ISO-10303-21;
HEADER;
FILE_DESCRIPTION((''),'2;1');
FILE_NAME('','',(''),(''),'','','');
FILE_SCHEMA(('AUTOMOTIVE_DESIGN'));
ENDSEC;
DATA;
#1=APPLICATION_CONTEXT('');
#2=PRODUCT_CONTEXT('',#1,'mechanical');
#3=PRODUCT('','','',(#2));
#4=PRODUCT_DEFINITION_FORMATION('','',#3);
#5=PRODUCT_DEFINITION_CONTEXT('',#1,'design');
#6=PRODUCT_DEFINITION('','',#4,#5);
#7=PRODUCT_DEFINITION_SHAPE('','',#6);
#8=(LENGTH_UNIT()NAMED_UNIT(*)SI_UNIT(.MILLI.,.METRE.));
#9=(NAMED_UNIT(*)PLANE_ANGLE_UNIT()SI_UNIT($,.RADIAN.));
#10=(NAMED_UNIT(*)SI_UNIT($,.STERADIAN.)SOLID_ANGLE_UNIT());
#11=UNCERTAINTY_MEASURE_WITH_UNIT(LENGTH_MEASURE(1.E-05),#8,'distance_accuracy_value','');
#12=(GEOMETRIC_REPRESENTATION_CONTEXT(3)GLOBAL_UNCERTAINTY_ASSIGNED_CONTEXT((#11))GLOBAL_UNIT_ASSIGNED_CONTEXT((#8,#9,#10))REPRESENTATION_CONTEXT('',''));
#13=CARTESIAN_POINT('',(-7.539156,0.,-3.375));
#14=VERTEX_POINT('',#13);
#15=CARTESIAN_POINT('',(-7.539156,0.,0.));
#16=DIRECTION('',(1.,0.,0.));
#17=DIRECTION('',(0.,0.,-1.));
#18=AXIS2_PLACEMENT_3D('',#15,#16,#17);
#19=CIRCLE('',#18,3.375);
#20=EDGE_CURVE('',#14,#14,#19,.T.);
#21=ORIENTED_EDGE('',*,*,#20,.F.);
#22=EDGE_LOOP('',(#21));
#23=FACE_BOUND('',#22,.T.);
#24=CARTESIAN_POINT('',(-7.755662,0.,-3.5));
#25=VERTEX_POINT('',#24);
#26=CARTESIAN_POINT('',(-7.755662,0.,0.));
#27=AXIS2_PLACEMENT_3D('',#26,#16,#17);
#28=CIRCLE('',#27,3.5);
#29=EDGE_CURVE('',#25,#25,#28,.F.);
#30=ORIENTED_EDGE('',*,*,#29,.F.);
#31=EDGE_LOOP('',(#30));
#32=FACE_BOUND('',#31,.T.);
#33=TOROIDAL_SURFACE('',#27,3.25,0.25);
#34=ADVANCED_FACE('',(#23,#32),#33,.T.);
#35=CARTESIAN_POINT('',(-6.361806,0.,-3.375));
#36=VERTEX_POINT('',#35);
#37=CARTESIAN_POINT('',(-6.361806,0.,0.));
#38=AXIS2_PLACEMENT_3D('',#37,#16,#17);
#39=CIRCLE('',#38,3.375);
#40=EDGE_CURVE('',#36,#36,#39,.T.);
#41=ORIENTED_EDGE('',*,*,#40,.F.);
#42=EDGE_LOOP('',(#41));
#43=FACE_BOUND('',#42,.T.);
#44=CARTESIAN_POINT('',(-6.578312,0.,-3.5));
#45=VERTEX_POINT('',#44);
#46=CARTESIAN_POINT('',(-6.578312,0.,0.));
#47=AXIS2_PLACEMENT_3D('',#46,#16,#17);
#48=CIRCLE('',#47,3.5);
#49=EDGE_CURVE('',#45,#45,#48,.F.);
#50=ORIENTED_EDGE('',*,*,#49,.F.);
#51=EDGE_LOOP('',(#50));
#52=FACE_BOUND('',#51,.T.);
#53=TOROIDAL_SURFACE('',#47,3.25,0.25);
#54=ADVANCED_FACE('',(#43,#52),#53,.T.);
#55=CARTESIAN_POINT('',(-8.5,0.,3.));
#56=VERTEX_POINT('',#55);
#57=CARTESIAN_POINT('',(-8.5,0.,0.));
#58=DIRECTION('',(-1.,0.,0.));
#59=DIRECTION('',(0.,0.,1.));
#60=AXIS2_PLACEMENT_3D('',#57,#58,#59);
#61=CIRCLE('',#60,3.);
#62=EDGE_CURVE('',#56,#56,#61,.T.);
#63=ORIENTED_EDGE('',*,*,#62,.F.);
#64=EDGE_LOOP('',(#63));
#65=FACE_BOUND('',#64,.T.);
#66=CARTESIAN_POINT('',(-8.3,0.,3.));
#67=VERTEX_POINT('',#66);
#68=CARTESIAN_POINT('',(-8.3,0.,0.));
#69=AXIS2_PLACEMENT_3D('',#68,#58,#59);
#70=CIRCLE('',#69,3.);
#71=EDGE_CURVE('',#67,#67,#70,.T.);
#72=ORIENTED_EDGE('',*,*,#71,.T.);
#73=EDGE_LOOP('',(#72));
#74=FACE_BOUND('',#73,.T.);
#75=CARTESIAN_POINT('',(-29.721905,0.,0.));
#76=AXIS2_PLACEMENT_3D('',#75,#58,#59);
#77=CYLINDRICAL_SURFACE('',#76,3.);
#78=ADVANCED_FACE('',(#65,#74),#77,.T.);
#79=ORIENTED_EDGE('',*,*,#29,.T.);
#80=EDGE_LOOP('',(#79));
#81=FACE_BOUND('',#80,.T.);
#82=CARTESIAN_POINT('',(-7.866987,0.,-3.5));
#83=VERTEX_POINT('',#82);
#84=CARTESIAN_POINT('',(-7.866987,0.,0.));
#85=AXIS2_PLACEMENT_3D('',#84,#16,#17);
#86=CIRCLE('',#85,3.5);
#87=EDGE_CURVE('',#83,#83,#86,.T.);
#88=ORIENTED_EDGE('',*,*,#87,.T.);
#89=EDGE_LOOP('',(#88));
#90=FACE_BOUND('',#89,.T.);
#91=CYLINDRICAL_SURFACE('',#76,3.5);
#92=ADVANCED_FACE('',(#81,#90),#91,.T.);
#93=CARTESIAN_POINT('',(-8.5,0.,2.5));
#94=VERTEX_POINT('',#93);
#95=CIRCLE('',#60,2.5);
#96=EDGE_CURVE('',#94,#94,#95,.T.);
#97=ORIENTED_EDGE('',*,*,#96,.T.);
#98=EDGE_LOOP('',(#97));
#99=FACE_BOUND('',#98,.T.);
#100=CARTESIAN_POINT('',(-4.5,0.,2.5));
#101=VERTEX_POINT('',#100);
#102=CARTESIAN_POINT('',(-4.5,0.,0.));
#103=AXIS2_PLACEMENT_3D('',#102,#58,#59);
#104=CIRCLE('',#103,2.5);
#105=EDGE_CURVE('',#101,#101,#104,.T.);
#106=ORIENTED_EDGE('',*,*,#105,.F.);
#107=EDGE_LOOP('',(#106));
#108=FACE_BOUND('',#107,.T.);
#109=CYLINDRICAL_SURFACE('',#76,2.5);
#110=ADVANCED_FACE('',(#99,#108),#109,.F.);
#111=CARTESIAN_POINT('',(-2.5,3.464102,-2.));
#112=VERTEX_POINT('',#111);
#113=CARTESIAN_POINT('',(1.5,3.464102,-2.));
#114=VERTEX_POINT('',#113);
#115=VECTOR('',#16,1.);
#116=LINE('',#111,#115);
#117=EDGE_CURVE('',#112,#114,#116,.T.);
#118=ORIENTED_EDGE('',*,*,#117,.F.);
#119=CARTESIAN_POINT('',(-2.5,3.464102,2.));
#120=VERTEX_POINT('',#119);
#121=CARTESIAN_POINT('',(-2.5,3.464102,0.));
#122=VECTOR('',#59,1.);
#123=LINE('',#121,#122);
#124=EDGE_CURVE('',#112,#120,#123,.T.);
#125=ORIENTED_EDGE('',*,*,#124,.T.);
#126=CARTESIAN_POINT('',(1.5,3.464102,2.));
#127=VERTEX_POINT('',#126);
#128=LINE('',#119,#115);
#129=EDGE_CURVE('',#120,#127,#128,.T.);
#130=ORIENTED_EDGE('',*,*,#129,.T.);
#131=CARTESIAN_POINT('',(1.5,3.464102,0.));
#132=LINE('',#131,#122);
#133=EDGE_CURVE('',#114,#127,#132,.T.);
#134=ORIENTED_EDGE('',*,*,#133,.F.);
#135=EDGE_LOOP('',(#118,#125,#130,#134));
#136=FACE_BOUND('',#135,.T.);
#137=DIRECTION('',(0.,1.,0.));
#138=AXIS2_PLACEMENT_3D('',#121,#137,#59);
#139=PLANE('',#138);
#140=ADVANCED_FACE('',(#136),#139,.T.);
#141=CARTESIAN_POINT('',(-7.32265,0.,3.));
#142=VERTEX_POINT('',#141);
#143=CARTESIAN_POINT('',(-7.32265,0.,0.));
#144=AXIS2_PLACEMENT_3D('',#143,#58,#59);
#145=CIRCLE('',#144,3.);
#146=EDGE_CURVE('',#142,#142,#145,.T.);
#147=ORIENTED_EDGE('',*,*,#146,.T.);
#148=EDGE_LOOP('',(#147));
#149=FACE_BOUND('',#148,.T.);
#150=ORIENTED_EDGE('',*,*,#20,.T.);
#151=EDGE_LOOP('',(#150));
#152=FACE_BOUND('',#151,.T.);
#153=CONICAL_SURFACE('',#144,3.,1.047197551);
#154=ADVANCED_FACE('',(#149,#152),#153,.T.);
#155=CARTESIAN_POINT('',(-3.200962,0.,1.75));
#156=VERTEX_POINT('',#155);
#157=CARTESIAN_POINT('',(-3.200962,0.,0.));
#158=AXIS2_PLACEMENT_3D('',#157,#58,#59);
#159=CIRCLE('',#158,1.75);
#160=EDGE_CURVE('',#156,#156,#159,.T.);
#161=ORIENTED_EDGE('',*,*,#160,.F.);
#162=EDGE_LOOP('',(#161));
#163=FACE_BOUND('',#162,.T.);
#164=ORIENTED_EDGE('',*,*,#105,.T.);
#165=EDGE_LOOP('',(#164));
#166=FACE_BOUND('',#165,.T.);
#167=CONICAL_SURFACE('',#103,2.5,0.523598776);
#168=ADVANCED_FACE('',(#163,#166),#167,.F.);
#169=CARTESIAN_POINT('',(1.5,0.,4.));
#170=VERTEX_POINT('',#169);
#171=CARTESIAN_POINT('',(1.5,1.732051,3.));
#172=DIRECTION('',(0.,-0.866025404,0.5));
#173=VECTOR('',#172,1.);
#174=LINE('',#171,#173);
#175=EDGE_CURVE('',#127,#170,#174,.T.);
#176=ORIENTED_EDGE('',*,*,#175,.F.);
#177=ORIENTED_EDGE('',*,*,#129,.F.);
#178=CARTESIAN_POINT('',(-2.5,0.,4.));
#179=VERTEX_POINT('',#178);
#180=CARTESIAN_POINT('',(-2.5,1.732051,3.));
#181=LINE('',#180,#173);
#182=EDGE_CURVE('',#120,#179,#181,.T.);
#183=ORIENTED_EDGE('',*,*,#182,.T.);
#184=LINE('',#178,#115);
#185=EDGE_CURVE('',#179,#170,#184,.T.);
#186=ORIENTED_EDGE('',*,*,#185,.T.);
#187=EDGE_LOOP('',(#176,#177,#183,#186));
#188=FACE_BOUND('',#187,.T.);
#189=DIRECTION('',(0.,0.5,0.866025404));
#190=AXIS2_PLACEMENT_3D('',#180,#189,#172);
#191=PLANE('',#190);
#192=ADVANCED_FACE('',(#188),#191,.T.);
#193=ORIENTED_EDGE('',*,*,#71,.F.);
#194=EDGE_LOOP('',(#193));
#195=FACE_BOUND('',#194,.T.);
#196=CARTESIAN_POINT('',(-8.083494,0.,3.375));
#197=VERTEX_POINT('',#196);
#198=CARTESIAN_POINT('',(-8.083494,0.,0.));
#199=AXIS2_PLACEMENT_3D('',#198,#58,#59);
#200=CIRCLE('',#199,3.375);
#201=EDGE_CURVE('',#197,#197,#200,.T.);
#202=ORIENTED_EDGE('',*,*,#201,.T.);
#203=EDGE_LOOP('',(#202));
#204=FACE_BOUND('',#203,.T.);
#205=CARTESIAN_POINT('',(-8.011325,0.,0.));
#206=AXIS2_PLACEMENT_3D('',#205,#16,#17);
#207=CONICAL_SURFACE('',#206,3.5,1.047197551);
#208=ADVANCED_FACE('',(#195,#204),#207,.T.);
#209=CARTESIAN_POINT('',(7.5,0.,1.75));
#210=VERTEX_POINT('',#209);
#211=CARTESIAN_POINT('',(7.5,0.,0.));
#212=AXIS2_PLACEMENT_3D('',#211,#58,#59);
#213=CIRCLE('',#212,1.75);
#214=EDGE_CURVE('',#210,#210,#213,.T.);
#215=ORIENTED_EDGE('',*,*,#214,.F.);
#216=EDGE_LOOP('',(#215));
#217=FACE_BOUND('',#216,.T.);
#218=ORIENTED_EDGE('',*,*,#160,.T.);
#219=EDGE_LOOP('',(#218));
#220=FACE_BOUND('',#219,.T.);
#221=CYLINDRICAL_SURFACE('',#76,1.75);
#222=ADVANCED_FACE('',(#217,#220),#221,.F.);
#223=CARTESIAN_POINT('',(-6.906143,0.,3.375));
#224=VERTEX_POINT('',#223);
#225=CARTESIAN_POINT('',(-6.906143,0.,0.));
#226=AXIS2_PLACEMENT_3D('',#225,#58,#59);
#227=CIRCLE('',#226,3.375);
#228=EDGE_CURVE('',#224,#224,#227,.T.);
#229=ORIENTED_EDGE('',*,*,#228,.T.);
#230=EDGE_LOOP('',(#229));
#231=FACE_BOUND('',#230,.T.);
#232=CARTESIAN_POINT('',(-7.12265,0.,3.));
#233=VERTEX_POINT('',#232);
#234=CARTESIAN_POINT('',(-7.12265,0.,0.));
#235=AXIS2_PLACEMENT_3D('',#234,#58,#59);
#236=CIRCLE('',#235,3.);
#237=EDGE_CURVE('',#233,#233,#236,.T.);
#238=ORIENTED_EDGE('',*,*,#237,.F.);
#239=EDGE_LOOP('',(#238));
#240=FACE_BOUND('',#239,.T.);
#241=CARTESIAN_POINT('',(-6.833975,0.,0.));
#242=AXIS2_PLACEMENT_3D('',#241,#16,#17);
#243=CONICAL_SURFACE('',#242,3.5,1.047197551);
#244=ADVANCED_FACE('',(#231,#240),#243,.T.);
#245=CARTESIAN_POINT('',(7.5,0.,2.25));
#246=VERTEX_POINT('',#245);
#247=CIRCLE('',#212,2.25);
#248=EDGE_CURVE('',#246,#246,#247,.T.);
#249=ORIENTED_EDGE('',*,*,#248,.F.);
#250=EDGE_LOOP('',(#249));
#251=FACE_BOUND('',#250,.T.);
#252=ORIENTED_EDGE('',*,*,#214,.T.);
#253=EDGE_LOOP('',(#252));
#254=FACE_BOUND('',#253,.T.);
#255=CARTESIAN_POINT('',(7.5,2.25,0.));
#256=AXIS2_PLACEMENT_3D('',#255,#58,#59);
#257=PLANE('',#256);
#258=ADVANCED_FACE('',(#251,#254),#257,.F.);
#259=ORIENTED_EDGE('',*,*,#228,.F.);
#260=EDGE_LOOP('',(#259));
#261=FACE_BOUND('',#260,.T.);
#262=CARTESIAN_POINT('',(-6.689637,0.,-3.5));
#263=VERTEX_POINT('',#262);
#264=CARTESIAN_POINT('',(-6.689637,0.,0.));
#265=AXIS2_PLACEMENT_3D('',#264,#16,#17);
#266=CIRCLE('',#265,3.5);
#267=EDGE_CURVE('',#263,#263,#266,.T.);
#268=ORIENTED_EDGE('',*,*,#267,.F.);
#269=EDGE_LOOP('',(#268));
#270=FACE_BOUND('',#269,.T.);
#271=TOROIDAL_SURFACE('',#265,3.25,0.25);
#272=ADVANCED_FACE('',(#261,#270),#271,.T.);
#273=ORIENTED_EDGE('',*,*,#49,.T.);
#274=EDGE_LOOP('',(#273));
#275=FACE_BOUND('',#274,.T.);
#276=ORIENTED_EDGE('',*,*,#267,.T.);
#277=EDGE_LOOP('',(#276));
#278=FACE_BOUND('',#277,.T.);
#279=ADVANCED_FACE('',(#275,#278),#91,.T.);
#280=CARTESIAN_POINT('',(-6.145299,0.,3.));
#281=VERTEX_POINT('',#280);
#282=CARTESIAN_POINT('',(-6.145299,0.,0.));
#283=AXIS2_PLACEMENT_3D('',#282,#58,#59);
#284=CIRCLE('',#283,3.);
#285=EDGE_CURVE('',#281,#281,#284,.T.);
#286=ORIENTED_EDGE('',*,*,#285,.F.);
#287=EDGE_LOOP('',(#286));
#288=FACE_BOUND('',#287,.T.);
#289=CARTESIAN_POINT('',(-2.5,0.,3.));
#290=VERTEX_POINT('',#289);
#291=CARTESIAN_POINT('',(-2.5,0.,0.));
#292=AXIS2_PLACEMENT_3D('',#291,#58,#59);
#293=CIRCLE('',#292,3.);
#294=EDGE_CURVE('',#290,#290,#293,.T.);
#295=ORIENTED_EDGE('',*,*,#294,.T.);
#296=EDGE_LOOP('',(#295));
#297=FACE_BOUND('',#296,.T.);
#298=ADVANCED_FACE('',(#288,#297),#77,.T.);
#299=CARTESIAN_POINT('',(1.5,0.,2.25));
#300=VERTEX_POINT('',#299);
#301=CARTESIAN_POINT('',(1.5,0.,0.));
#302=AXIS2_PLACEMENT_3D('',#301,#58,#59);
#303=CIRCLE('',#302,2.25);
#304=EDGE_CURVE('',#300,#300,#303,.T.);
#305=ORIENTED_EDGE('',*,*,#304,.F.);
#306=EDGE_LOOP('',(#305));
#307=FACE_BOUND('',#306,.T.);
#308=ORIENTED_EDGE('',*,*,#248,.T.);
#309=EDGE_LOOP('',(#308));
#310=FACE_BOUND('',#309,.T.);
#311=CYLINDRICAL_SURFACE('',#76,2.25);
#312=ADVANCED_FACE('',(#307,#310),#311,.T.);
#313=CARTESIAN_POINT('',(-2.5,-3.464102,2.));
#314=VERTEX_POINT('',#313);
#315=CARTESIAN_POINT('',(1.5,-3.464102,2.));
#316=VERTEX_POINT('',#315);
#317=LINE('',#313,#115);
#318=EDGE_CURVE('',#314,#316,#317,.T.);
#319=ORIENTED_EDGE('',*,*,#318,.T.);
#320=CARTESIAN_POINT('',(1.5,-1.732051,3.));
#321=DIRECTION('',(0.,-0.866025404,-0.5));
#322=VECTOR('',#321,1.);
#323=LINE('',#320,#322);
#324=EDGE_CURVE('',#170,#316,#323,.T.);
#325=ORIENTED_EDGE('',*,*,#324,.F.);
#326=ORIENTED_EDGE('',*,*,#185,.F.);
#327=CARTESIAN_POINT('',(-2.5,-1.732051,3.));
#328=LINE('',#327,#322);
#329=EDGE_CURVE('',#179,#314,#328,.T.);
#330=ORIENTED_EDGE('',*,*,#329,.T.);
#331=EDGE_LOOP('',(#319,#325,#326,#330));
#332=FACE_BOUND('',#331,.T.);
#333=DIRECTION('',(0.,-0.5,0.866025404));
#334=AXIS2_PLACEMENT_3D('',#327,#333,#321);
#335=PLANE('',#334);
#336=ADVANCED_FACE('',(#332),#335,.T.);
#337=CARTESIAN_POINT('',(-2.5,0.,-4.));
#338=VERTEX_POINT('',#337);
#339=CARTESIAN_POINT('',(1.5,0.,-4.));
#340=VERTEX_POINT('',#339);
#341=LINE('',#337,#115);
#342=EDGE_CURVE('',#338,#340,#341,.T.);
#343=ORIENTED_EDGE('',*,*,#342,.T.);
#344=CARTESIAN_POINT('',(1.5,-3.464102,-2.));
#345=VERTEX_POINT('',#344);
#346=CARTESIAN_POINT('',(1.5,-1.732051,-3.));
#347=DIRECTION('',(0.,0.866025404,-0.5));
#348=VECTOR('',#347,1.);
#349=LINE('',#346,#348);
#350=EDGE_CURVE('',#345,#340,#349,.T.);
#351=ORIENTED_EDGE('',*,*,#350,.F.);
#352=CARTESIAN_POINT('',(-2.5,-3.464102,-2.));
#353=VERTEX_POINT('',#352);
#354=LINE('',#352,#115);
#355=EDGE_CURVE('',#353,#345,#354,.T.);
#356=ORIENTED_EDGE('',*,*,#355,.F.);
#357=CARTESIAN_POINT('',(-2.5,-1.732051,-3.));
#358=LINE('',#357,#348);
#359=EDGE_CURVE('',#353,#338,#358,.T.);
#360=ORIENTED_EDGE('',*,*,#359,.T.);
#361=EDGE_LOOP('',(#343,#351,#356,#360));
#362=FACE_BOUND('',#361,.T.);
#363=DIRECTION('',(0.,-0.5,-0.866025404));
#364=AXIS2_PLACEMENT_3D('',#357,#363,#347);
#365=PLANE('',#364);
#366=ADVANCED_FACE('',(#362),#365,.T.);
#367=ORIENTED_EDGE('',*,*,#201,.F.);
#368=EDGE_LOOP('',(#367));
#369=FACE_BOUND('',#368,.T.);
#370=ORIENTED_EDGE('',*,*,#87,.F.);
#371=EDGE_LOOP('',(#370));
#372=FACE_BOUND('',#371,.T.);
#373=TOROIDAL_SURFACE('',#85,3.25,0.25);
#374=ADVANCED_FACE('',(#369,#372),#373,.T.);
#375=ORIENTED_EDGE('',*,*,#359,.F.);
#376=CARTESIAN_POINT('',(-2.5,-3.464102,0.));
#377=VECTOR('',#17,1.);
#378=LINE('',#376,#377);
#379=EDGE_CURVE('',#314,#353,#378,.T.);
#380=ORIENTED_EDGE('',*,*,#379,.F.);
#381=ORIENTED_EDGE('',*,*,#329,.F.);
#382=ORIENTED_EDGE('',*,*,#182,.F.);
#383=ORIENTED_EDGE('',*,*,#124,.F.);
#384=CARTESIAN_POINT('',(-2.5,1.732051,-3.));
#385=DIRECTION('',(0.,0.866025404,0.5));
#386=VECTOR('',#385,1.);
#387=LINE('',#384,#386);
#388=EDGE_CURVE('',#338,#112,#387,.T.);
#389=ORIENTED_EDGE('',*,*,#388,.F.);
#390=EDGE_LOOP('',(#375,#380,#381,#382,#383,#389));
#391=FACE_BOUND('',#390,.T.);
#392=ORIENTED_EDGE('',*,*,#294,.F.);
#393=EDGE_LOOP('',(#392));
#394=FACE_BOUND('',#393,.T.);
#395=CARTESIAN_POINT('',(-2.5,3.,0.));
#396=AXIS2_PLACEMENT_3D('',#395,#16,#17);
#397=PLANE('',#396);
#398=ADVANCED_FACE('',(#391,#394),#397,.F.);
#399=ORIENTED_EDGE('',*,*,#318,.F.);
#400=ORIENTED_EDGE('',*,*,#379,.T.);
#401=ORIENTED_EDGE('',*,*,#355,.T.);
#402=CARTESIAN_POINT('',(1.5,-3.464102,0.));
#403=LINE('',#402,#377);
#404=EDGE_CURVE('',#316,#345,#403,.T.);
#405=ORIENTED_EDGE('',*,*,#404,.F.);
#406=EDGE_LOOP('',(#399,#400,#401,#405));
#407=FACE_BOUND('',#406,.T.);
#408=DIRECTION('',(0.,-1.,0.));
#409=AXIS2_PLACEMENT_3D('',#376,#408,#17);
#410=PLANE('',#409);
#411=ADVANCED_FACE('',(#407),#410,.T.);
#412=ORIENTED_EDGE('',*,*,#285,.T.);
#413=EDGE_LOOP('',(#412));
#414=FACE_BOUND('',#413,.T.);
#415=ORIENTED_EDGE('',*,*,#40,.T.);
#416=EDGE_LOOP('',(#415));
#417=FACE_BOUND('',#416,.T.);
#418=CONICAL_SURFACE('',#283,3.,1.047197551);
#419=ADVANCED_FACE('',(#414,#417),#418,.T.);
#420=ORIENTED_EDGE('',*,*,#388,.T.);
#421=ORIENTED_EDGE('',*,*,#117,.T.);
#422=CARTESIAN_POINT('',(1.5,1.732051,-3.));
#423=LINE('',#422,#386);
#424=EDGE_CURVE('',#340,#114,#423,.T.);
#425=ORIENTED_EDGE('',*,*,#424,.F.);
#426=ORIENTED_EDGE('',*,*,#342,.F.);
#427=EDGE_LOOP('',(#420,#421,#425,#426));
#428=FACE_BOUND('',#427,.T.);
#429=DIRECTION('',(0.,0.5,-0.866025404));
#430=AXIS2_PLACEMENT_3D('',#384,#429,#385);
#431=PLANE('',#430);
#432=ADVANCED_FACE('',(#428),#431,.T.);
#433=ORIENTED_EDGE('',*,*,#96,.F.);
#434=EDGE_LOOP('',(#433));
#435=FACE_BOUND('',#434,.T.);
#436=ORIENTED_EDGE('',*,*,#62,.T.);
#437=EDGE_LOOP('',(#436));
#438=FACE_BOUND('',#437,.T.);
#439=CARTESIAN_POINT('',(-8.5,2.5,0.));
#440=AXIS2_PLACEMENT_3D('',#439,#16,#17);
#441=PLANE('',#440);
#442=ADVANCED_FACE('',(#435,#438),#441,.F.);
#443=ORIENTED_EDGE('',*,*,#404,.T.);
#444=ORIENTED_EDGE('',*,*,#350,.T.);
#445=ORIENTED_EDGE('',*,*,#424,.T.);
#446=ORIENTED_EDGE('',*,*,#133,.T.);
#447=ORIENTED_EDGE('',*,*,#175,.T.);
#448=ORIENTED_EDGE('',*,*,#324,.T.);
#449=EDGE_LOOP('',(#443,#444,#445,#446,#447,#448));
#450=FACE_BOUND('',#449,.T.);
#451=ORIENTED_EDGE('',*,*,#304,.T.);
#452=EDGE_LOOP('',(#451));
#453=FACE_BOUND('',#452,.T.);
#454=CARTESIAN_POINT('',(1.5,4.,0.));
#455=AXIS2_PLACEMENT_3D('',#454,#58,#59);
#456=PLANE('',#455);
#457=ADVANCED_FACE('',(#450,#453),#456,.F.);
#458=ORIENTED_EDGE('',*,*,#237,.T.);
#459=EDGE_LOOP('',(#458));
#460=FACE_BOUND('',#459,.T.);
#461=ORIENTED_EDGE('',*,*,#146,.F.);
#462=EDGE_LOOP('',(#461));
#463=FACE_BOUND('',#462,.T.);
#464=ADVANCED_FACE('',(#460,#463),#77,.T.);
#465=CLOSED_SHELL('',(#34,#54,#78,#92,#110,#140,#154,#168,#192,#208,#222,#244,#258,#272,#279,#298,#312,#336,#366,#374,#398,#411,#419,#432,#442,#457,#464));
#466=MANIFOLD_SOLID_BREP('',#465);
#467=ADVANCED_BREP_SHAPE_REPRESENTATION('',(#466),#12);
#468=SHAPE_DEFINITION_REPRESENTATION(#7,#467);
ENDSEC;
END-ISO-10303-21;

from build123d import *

# Parameters (mm, degrees)
CORTE_EXTRUS_O1_DEPTH = 4
FILETE1_R             = 0.25
FILETE2_R             = 0.25


with BuildPart() as part:
    # Esboço1 → Revolução1 (revolve)
    with BuildSketch(Plane.XY):
        Polygon((-7.322649731, 3), (-7.122649731, 3), (-6.833974596, 3.5), (-6.433974596, 3.5), (-6.145299462, 3), (-2.5, 3), (-2.5, 4), (1.5, 4), (1.5, 2.25), (7.5, 2.25), (7.5, 1.75), (-3.200961894, 1.75), (-4.5, 2.5), (-8.5, 2.5), (-8.5, 3), (-8.3, 3), (-8.011324865, 3.5), (-7.611324865, 3.5), align=None)
    revolve(axis=Axis((-29.721905334, 0, 0), (1, 0, 0)))

    # Esboço2 → Corte-extrusão1 (cut)
    with BuildSketch(Plane(origin=(1.5, 0, 0), x_dir=(0, 0, -1), z_dir=(1, 0, 0))):
        with BuildLine():
            Line((-2, 3.464101615), (2, 3.464101615))
            ThreePointArc((2, 3.464101615), (0, 4), (-2, 3.464101615))
        make_face()
        with BuildLine():
            Line((-4, 0), (-2, 3.464101615))
            ThreePointArc((-2, 3.464101615), (-3.464101615, 2), (-4, 0))
        make_face()
        with BuildLine():
            ThreePointArc((-4, 0), (-3.464101615, -2), (-2, -3.464101615))
            Line((-2, -3.464101615), (-4, 0))
        make_face()
        with BuildLine():
            ThreePointArc((-2, -3.464101615), (0, -4), (2, -3.464101615))
            Line((2, -3.464101615), (-2, -3.464101615))
        make_face()
        with BuildLine():
            ThreePointArc((2, -3.464101615), (3.464101615, -2), (4, 0))
            Line((4, 0), (2, -3.464101615))
        make_face()
        with BuildLine():
            Line((2, 3.464101615), (4, 0))
            ThreePointArc((4, 0), (3.464101615, 2), (2, 3.464101615))
        make_face()
    extrude(amount=-CORTE_EXTRUS_O1_DEPTH, mode=Mode.SUBTRACT)

    # Filete1
    filete1_edges = [part.edges().sort_by_distance(p)[0] for p in [
        (-8.011324865, -3.5, 0),
        (-7.611324865, -3.5, 0),
    ]]
    fillet(filete1_edges, radius=FILETE1_R)

    # Filete2
    filete2_edges = [part.edges().sort_by_distance(p)[0] for p in [
        (-6.833974596, -3.5, 0),
        (-6.433974596, -3.5, 0),
    ]]
    fillet(filete2_edges, radius=FILETE2_R)


solid = part.part
